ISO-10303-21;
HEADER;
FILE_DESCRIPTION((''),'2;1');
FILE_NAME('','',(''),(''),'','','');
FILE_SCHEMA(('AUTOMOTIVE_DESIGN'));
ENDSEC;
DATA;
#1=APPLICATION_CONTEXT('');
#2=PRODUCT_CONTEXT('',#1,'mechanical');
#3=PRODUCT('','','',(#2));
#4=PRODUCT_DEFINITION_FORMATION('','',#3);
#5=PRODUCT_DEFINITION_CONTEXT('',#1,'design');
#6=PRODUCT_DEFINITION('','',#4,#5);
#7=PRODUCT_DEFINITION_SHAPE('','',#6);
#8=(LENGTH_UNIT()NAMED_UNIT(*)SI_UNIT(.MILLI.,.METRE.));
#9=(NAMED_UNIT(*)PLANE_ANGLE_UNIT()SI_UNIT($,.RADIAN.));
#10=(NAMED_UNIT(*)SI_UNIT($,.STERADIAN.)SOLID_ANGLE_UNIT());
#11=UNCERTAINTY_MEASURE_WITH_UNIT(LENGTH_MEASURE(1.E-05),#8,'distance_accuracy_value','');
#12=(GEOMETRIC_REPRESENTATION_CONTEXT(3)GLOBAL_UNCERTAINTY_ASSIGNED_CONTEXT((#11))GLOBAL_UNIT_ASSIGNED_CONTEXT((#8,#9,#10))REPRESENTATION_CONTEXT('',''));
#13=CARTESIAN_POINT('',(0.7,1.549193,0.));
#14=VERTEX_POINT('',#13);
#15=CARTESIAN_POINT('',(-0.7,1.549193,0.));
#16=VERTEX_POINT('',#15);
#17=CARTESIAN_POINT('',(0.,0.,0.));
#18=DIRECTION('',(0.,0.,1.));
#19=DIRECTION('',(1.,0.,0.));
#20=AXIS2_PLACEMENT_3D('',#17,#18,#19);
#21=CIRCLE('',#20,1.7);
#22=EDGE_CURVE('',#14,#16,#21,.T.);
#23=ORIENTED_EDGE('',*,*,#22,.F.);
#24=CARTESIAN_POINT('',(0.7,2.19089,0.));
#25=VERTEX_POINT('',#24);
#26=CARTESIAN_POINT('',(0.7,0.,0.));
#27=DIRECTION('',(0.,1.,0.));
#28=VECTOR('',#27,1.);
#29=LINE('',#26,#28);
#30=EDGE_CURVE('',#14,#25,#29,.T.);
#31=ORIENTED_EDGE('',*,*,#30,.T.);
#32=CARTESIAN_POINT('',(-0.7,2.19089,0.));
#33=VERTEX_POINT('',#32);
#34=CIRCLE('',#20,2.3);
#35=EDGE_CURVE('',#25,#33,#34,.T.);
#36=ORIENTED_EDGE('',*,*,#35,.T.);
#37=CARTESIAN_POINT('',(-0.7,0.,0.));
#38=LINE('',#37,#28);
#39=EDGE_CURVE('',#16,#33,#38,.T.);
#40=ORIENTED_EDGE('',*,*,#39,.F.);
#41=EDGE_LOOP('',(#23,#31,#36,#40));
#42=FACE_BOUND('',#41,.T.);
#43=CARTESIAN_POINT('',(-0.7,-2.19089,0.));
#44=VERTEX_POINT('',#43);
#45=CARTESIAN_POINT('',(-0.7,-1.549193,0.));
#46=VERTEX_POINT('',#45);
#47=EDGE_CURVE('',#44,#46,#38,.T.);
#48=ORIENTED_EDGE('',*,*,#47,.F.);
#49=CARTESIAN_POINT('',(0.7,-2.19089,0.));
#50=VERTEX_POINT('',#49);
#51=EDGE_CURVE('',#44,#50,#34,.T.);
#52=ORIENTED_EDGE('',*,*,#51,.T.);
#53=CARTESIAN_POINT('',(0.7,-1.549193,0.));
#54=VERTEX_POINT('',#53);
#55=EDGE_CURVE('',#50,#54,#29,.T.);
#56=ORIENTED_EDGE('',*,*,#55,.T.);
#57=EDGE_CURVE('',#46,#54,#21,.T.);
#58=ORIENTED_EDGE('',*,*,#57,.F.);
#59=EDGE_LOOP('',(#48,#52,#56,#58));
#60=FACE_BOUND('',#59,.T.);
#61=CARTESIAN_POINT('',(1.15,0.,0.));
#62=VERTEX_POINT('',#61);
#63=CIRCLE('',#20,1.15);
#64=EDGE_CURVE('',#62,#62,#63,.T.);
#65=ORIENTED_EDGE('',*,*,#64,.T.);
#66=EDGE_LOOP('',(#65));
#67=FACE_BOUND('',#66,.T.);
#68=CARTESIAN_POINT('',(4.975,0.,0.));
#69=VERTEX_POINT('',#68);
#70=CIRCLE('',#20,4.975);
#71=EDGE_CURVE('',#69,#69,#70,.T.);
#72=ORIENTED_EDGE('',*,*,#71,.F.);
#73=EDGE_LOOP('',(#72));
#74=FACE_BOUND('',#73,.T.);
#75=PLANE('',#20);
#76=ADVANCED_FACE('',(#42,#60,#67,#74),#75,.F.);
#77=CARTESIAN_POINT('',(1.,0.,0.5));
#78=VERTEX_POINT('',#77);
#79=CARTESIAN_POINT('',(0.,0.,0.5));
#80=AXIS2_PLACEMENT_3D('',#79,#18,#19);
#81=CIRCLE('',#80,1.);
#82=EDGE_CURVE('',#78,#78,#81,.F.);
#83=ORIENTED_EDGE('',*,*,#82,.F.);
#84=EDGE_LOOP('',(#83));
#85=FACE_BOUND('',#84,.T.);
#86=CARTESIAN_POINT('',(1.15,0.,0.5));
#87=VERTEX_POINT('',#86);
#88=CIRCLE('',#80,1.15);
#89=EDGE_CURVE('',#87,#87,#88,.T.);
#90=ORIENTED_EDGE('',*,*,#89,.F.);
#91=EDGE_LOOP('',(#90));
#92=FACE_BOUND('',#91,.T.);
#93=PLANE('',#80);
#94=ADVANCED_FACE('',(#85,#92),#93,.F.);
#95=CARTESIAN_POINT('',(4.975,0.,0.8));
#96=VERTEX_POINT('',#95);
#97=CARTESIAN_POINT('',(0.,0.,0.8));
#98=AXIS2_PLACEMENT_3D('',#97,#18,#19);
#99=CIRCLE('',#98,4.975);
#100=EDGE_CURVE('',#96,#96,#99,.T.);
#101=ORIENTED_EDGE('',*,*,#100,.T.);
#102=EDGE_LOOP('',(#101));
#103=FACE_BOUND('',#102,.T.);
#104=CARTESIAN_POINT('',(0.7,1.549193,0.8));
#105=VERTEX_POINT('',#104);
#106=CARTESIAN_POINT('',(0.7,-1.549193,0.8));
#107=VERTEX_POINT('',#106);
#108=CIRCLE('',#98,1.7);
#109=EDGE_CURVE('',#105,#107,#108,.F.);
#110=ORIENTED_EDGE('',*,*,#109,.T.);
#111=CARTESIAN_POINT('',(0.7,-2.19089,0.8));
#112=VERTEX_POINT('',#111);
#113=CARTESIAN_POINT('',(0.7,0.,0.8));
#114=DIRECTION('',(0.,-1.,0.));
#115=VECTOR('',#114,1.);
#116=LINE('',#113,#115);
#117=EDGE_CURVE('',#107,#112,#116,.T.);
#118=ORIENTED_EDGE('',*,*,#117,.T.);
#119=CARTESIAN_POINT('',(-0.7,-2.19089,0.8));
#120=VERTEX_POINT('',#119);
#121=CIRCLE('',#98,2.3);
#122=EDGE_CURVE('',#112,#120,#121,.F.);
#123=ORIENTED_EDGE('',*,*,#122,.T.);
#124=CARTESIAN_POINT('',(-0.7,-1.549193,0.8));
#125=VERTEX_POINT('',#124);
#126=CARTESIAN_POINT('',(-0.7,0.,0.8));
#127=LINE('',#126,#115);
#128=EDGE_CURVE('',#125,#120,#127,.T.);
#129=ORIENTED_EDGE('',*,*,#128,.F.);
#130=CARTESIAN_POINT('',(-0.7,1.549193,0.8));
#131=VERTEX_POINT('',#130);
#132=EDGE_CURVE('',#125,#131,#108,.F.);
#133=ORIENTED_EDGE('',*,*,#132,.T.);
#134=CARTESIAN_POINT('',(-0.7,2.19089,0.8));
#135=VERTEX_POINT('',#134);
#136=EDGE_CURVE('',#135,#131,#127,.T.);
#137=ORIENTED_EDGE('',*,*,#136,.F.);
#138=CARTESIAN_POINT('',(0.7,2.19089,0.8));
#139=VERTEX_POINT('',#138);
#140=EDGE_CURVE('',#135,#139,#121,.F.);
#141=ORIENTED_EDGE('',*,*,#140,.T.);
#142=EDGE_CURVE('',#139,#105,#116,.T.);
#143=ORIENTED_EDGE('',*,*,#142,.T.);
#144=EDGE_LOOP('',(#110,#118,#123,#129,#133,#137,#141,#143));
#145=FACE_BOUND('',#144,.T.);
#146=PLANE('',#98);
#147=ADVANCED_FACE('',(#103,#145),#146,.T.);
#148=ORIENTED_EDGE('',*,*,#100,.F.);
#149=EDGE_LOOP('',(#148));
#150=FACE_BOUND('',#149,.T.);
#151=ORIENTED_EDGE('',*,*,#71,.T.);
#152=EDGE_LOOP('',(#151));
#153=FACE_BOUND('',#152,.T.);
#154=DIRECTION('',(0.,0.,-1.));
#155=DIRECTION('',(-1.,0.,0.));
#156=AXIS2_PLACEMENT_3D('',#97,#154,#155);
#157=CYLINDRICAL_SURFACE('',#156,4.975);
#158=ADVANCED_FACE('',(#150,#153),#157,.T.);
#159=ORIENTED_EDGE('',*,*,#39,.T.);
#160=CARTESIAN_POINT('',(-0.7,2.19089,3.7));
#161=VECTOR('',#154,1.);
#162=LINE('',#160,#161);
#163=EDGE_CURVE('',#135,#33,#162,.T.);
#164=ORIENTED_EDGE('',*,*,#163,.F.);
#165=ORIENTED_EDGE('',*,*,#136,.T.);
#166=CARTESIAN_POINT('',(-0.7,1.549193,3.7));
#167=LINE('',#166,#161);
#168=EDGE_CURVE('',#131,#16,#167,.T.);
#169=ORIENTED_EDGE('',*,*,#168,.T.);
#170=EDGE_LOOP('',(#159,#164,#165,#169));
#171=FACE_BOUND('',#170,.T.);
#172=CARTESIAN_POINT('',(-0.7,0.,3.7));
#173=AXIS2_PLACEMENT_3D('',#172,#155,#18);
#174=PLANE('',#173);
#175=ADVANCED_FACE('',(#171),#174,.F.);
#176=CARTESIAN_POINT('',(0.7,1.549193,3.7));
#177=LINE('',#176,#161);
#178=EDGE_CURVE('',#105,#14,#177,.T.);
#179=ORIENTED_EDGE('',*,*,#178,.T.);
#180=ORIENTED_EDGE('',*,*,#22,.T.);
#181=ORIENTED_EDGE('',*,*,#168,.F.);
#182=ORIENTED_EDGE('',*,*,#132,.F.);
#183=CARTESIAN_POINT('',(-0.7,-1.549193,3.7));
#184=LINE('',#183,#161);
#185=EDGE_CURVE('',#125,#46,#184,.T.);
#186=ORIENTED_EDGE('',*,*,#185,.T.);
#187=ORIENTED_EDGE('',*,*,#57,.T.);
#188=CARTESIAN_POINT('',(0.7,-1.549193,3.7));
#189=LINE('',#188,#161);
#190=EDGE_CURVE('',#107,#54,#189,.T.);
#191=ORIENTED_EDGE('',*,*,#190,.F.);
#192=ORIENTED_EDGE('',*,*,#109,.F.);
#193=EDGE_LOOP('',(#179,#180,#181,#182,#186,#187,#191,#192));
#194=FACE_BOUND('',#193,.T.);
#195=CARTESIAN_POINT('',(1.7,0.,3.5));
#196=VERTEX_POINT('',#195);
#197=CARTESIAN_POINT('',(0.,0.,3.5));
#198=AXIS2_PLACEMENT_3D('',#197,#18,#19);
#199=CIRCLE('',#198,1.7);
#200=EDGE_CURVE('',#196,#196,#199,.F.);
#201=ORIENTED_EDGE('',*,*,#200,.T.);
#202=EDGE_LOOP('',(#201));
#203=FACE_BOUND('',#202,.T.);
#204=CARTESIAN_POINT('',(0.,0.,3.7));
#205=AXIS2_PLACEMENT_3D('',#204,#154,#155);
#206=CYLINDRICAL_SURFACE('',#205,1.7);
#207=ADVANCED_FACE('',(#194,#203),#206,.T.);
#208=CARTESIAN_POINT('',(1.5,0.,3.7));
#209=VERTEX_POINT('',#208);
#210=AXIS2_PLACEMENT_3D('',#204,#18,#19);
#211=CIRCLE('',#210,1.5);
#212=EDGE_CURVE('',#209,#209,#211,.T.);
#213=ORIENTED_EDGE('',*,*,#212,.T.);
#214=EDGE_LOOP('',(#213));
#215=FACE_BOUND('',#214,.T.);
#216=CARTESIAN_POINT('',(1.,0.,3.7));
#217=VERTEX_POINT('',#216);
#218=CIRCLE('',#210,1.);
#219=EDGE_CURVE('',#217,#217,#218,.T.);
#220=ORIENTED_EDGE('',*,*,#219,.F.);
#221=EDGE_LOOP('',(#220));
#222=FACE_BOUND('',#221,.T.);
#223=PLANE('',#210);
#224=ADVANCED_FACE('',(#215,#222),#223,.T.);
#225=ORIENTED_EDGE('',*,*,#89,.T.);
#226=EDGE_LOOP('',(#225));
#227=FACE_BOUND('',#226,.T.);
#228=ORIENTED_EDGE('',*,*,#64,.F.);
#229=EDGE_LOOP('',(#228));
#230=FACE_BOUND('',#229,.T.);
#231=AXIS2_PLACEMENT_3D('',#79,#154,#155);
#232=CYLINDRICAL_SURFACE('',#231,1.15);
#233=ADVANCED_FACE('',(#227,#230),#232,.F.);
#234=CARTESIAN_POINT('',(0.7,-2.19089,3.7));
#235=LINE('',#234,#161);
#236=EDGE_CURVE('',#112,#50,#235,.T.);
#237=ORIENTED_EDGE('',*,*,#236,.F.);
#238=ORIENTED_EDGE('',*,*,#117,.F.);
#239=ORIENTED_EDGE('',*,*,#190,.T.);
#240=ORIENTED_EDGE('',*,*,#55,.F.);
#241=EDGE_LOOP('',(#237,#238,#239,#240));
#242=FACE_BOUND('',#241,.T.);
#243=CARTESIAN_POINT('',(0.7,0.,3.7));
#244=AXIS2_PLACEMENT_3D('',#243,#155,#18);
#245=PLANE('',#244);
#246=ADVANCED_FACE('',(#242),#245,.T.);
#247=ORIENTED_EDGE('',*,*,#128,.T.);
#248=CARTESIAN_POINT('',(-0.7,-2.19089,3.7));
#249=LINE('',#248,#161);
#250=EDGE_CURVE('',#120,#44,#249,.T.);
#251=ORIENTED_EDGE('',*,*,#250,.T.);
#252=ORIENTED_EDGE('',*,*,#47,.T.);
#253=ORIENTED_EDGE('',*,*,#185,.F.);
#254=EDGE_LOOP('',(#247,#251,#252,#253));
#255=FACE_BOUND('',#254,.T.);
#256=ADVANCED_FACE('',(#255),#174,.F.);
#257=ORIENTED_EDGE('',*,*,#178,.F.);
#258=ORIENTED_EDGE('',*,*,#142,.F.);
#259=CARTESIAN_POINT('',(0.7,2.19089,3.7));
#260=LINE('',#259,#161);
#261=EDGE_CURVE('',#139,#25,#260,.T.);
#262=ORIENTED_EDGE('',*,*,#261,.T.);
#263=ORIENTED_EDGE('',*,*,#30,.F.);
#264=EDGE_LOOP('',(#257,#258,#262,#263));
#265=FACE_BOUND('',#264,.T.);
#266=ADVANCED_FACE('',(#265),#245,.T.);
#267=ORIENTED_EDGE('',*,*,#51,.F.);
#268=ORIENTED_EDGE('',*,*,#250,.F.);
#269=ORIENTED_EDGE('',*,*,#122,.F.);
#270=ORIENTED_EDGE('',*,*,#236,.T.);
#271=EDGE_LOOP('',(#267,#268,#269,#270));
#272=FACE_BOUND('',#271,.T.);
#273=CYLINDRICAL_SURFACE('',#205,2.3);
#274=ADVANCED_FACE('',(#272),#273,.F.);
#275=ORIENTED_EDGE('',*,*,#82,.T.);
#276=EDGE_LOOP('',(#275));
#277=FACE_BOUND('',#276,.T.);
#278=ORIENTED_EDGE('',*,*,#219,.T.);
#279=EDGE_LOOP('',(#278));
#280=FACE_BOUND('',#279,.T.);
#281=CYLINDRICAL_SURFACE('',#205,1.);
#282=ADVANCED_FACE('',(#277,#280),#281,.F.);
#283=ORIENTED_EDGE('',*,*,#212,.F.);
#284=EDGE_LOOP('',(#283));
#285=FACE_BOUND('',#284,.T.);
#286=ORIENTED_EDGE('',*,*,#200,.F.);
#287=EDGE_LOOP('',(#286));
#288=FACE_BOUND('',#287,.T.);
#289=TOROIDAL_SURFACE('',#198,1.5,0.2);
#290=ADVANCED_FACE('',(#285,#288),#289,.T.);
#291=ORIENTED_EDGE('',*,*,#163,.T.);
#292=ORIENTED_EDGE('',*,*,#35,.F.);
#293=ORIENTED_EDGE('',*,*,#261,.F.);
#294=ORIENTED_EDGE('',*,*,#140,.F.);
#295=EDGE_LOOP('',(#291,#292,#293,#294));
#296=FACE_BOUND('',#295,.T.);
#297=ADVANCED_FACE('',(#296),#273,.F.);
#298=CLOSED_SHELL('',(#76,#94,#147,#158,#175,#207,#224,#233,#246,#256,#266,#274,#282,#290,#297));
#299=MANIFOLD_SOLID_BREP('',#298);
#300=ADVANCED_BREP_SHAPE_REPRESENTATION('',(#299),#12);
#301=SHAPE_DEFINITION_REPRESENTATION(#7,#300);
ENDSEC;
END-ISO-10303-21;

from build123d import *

# Parameters (mm, degrees)
SKETCH_1_R          = 4.975
EXTRUDE_1_DEPTH     = 0.8
SKETCH_1_6_R        = 1.7
EXTRUDE_2_DEPTH     = 3.7
SKETCH_1_4_R        = 1.15
CUT_EXTRUDE_1_DEPTH = 0.5
SKETCH_1_7_R        = 1
CUT_EXTRUDE_2_DEPTH = 4.7
FILLET_1_R          = 0.2


with BuildPart() as part:
    # Sketch 1 → Extrude 1 (new body)
    with BuildSketch(Plane.XY):
        Circle(SKETCH_1_R)
    extrude(amount=EXTRUDE_1_DEPTH)

    # Sketch 1_6 → Extrude 2 (add)
    with BuildSketch(Plane.XY):
        Circle(SKETCH_1_6_R)
    extrude(amount=EXTRUDE_2_DEPTH)

    # Sketch 1_4 → Cut-Extrude 1 (cut)
    with BuildSketch(Plane.XY):
        Circle(SKETCH_1_4_R)
    extrude(amount=CUT_EXTRUDE_1_DEPTH, mode=Mode.SUBTRACT)

    # Sketch 1_7 → Cut-Extrude 2 (cut, through all)
    with BuildSketch(Plane.XY):
        with BuildLine():
            Line((-0.7, -1.549193338), (-0.7, -2.19089023))
            ThreePointArc((-0.7, -2.19089023), (0, -2.3), (0.7, -2.19089023))
            Line((0.7, -2.19089023), (0.7, -1.549193338))
            ThreePointArc((0.7, -1.549193338), (0, -1.7), (-0.7, -1.549193338))
        make_face()
        with BuildLine():
            ThreePointArc((0.7, 2.19089023), (0, 2.3), (-0.7, 2.19089023))
            Line((-0.7, 2.19089023), (-0.7, 1.549193338))
            ThreePointArc((-0.7, 1.549193338), (0, 1.7), (0.7, 1.549193338))
            Line((0.7, 1.549193338), (0.7, 2.19089023))
        make_face()
        with BuildLine():
            Line((-0.7, -1.549193338), (-0.7, -2.19089023))
            ThreePointArc((-0.7, -2.19089023), (0, -2.3), (0.7, -2.19089023))
            Line((0.7, -2.19089023), (0.7, -1.549193338))
            ThreePointArc((0.7, -1.549193338), (0, -1.7), (-0.7, -1.549193338))
        make_face()
        with BuildLine():
            ThreePointArc((0.7, 2.19089023), (0, 2.3), (-0.7, 2.19089023))
            Line((-0.7, 2.19089023), (-0.7, 1.549193338))
            ThreePointArc((-0.7, 1.549193338), (0, 1.7), (0.7, 1.549193338))
            Line((0.7, 1.549193338), (0.7, 2.19089023))
        make_face()
        Circle(SKETCH_1_7_R)
    extrude(amount=CUT_EXTRUDE_2_DEPTH, mode=Mode.SUBTRACT)

    # Fillet 1
    fillet_1_edges = [part.edges().sort_by_distance(p)[0] for p in [
        (1.428285686, 0.921954446, 3.7),
    ]]
    fillet(fillet_1_edges, radius=FILLET_1_R)


solid = part.part
